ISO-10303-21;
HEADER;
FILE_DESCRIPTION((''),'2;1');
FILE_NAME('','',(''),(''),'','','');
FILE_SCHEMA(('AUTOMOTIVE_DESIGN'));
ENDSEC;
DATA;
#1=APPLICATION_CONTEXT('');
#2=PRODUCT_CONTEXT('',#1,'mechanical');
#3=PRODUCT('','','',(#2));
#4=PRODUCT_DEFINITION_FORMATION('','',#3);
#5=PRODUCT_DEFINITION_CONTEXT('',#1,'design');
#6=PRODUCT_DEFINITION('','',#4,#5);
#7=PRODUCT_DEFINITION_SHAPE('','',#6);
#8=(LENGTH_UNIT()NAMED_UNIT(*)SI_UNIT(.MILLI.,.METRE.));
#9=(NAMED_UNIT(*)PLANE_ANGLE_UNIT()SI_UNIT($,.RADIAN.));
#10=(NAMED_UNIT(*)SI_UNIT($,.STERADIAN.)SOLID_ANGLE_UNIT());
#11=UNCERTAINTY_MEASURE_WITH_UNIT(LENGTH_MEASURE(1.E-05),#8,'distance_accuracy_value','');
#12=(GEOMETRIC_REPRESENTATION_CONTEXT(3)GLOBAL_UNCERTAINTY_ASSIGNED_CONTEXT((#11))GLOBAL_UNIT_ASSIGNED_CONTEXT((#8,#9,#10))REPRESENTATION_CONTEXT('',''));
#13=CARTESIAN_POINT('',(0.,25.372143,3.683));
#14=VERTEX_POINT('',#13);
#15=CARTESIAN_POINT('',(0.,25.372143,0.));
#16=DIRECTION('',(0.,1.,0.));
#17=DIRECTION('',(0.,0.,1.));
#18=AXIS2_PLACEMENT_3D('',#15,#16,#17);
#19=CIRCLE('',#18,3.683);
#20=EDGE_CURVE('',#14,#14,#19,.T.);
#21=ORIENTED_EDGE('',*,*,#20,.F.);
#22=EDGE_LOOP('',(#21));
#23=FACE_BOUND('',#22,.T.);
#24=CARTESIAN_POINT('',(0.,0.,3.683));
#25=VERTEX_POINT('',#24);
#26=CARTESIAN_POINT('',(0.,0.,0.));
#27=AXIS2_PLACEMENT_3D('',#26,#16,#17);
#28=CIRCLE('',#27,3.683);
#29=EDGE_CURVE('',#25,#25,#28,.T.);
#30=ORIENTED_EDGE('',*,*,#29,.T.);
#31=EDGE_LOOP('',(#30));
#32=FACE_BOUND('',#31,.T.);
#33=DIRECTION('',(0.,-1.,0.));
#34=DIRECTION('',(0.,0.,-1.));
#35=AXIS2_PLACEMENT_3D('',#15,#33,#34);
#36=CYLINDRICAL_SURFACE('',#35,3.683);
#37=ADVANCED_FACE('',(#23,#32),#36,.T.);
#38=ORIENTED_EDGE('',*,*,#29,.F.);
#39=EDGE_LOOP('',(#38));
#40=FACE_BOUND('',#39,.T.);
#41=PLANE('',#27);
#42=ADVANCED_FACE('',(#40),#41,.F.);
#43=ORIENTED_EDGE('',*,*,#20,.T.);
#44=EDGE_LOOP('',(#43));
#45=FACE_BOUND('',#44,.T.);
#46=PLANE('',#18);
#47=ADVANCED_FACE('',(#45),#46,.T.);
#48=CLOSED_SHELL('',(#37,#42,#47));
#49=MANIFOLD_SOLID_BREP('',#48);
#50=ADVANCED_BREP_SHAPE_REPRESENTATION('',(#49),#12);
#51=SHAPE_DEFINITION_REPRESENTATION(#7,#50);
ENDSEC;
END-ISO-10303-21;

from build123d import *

# Parameters (mm, degrees)
SKETCH1_R           = 3.683
BOSS_EXTRUDE1_DEPTH = 25.372143043


with BuildPart() as part:
    # Sketch1 → Boss-Extrude1 (new body)
    with BuildSketch(Plane(origin=(0, 0, 0), x_dir=(1, 0, 0), z_dir=(0, 1, 0))):
        with Locations(Location((0, 0, 0), (0, 0, 270))):
            Circle(SKETCH1_R)
    extrude(amount=BOSS_EXTRUDE1_DEPTH)


solid = part.part
